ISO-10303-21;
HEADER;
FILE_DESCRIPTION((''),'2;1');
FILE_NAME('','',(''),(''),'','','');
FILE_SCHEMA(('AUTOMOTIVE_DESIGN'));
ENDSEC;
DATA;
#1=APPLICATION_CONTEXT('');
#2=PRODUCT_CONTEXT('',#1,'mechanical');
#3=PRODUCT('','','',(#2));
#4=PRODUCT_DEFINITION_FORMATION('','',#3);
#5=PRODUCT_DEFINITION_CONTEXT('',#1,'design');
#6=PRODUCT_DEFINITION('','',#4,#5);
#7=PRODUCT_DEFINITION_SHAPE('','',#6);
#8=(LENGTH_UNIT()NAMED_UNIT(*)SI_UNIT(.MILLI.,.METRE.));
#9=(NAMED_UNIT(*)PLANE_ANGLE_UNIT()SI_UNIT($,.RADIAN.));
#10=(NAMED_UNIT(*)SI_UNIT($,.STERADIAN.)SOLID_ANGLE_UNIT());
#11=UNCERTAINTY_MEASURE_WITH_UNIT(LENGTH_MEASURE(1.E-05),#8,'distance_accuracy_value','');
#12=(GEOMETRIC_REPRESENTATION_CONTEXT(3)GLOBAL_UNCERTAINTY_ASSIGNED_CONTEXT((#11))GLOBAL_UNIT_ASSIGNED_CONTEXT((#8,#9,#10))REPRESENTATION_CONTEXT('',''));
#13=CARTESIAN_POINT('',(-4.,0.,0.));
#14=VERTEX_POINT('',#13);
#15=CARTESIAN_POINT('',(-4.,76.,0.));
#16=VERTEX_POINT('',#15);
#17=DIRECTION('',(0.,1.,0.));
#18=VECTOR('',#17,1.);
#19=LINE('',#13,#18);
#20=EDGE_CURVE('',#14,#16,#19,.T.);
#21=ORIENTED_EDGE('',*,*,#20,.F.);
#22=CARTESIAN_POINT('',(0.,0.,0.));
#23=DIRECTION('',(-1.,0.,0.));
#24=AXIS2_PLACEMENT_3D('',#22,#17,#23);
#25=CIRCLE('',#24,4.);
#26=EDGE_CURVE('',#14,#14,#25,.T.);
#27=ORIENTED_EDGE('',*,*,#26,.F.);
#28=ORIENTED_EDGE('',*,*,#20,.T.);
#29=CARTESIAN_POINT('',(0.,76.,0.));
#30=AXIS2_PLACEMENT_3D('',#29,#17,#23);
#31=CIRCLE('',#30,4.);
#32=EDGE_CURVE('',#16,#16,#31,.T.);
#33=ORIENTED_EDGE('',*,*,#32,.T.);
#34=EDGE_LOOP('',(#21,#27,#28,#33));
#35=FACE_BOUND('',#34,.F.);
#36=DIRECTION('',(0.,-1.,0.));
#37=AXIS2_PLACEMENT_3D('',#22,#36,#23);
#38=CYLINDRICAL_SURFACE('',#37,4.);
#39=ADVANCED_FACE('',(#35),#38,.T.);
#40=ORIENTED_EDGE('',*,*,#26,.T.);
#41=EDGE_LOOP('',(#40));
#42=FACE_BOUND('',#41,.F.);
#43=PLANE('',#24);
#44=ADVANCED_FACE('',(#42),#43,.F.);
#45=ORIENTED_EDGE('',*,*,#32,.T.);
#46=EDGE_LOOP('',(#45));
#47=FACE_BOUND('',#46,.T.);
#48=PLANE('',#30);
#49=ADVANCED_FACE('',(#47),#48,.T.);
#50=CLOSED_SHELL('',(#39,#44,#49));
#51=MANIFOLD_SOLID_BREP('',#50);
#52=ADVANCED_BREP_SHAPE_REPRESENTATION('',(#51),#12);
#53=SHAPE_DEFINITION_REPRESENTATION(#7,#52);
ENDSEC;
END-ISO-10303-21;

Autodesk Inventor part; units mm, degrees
ref_plane "YZ Plane" through (0, 0, 0) normal (1, 0, 0) x (0, 1, 0)
ref_plane "XZ Plane" through (0, 0, 0) normal (0, 1, 0) x (-1, 0, 0)
ref_plane "XY Plane" through (0, 0, 0) normal (0, 0, 1) x (1, 0, 0)
sketch "Sketch1" plane through (0, 0, 0) normal (0, 1, 0) x (-1, 0, 0)
  circle A0 centre (0, 0) radius 4
  dimension "d0" = 8
extrude "Extrusion1" add sketch "Sketch1" along normal blind 76
properties part number "Y_Slider_Zahnrad_Stange_kurz"
